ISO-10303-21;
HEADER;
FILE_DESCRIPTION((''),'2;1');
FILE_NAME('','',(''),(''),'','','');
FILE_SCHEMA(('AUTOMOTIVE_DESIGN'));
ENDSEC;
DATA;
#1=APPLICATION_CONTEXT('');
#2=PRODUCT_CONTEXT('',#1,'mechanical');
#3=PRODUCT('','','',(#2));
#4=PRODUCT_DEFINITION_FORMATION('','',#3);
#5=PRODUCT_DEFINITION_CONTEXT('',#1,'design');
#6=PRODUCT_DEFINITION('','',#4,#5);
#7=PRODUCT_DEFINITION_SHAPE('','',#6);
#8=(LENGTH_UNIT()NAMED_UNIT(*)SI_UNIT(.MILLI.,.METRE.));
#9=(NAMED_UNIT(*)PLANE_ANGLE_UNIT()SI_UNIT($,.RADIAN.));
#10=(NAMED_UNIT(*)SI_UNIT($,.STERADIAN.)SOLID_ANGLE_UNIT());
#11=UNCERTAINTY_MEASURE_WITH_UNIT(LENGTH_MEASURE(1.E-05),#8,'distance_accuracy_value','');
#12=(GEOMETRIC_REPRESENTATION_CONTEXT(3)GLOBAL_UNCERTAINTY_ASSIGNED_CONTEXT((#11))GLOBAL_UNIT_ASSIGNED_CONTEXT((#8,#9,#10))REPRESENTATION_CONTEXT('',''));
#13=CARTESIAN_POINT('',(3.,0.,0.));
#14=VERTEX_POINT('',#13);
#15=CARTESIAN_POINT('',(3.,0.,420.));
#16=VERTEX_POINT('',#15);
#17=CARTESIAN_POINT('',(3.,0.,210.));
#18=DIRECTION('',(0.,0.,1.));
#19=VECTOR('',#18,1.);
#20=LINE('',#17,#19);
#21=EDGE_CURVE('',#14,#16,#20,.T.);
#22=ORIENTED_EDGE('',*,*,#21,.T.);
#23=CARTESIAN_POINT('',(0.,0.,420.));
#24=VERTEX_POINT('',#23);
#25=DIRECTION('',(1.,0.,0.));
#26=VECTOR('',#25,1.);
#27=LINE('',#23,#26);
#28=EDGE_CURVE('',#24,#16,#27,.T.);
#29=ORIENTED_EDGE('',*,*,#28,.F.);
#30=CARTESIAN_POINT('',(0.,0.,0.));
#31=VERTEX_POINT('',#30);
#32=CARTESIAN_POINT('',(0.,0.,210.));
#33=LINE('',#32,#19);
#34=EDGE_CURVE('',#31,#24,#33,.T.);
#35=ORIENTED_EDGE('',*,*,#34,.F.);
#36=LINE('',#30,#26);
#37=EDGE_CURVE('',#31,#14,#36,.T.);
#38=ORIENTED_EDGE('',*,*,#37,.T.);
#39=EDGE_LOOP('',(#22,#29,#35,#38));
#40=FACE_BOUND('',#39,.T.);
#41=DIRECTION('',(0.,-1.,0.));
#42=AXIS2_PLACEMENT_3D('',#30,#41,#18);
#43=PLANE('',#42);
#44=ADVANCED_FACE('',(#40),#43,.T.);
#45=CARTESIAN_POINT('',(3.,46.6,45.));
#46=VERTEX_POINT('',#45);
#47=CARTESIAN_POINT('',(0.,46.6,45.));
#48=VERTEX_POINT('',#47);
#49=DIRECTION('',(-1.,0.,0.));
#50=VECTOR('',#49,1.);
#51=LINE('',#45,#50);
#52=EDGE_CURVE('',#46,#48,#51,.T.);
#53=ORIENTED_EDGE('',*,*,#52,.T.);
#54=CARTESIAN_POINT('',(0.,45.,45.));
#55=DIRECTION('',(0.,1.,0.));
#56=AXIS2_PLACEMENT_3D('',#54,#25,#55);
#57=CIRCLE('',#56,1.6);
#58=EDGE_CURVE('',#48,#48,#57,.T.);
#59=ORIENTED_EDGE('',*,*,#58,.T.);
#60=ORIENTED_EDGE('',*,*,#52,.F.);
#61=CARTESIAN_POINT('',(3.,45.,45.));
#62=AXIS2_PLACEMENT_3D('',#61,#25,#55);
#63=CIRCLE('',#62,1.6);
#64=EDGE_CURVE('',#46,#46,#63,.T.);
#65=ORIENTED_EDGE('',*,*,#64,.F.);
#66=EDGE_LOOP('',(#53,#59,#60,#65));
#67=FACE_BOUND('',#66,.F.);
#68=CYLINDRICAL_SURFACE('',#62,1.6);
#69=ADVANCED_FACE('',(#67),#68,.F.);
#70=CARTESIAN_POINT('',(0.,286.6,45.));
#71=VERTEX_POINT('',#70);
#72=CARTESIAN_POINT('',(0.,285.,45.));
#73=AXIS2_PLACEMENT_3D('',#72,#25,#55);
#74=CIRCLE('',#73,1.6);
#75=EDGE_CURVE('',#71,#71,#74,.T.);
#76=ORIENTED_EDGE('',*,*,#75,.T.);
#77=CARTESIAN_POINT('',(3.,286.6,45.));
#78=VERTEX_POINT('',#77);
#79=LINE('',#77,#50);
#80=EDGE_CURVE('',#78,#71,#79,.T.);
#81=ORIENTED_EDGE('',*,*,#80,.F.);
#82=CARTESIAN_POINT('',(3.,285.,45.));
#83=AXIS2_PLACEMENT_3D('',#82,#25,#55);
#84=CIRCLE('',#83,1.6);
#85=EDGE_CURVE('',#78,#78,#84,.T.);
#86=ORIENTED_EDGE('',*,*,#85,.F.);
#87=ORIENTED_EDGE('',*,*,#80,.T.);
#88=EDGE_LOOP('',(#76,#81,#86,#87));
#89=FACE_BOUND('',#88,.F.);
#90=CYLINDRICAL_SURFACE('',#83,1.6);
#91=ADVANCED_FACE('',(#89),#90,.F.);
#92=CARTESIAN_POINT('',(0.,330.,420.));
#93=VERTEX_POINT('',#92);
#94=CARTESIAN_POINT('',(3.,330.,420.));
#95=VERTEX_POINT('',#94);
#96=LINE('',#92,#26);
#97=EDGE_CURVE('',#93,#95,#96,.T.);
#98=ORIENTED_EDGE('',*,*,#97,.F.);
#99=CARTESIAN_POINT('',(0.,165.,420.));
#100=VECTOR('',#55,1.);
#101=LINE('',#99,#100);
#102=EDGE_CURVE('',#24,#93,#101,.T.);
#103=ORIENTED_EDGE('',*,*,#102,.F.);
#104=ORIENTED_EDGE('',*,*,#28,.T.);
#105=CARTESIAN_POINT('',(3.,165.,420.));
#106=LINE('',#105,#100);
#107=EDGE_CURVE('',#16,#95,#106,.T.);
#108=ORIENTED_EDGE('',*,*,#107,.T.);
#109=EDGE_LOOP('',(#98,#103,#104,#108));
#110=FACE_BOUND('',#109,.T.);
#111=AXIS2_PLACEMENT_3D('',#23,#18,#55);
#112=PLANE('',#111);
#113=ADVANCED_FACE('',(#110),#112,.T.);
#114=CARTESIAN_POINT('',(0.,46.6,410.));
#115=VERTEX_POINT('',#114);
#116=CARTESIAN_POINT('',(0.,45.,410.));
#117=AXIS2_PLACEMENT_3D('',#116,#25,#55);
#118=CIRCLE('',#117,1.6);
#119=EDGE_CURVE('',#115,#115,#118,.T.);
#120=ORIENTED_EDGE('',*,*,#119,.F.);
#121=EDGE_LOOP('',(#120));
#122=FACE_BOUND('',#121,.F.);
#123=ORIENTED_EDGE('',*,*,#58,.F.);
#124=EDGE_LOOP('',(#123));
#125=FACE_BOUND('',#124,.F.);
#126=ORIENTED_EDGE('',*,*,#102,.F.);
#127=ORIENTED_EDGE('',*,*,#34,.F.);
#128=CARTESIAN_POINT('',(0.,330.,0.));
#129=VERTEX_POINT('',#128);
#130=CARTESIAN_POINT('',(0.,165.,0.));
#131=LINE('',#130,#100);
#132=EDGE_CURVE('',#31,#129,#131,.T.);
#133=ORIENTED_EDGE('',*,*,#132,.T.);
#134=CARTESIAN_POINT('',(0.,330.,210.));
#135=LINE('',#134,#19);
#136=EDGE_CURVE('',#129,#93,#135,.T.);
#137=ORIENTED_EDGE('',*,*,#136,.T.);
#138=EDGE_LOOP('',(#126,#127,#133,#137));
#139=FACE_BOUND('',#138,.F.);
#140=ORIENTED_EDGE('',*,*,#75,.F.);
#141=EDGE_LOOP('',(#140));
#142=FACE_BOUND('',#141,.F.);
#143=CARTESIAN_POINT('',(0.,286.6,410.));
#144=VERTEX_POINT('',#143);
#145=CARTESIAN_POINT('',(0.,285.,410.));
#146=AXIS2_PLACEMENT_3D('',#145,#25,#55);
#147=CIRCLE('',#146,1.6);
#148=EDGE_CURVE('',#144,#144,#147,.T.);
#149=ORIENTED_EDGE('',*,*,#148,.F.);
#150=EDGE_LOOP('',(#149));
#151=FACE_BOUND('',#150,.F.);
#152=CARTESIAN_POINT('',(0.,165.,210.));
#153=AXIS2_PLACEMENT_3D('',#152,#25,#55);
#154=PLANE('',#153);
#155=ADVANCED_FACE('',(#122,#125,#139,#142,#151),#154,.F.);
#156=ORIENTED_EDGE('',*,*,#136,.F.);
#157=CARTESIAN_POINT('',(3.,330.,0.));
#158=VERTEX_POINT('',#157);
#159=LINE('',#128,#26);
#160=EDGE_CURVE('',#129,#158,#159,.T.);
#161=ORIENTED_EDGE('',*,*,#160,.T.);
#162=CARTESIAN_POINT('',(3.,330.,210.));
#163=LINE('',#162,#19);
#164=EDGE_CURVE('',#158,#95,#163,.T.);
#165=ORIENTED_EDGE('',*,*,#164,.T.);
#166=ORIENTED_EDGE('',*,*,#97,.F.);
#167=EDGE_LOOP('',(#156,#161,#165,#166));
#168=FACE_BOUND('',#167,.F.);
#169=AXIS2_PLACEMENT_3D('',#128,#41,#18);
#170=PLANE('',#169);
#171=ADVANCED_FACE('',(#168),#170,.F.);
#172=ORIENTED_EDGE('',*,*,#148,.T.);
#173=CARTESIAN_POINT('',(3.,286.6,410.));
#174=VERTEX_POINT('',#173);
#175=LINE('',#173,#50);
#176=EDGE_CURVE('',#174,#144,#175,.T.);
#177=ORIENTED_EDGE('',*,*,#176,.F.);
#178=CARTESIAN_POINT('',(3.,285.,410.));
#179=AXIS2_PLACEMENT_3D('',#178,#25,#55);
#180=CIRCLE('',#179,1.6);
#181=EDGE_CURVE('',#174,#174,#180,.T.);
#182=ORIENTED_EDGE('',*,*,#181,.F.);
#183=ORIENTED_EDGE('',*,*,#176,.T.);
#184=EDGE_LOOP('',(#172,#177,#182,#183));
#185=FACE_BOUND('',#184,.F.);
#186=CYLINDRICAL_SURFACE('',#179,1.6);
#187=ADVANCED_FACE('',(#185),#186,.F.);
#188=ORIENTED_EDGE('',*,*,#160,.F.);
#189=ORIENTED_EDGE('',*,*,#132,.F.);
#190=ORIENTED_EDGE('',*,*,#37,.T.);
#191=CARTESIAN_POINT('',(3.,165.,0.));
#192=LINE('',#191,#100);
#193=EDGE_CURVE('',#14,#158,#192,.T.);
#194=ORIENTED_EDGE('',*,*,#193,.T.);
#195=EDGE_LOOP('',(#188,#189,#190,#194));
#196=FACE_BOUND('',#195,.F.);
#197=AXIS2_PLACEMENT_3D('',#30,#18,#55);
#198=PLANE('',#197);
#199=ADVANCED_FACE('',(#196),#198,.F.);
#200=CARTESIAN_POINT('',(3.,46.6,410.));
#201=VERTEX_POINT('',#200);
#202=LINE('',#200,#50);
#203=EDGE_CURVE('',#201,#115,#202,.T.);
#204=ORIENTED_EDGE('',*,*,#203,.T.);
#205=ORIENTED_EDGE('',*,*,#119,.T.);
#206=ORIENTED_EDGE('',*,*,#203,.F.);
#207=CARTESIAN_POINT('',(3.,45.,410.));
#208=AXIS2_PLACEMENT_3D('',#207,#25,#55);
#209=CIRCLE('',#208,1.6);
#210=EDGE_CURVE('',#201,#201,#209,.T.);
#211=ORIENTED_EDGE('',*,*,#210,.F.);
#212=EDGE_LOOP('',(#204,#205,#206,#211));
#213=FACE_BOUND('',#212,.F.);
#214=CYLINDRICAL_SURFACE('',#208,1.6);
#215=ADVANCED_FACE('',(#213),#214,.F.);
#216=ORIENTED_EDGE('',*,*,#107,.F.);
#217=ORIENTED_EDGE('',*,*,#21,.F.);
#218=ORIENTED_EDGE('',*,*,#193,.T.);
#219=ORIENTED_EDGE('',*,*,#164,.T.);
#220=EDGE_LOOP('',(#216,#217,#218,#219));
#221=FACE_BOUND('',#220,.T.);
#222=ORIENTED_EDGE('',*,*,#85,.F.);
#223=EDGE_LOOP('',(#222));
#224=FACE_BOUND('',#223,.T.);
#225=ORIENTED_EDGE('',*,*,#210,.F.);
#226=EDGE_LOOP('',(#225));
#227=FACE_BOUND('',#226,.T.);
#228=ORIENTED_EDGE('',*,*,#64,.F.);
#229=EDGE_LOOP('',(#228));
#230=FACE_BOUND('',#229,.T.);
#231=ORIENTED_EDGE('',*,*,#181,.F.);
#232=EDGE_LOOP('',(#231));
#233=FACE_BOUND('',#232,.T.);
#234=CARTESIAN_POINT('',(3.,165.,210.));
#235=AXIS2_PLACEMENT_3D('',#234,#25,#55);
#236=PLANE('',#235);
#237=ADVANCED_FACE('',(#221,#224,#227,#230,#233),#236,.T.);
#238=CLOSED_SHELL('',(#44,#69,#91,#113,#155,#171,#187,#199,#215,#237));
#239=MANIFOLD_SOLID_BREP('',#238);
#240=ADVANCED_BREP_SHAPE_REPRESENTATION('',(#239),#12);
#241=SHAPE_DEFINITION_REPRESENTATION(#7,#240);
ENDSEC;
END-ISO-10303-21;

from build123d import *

# Parameters (mm, degrees)
SKETCH_W     = 330
SKETCH_H     = 420
PAD_DEPTH    = 3
SKETCH001_R  = 1.6
POCKET_DEPTH = 3.001


with BuildPart() as part:
    # Sketch → Pad (new body)
    with BuildSketch(Plane.YZ):
        with Locations((165, 210)):
            Rectangle(SKETCH_W, SKETCH_H)
    extrude(amount=PAD_DEPTH)

    # Sketch001 (on Face6 of Pad) → Pocket (cut, through all)
    with BuildSketch(Plane.YZ.offset(3)):
        with Locations((45, 410)):
            Circle(SKETCH001_R)
        with Locations((285, 410)):
            Circle(SKETCH001_R)
        with Locations((45, 45)):
            Circle(SKETCH001_R)
        with Locations((285, 45)):
            Circle(SKETCH001_R)
    extrude(amount=-POCKET_DEPTH, mode=Mode.SUBTRACT)


solid = part.part
